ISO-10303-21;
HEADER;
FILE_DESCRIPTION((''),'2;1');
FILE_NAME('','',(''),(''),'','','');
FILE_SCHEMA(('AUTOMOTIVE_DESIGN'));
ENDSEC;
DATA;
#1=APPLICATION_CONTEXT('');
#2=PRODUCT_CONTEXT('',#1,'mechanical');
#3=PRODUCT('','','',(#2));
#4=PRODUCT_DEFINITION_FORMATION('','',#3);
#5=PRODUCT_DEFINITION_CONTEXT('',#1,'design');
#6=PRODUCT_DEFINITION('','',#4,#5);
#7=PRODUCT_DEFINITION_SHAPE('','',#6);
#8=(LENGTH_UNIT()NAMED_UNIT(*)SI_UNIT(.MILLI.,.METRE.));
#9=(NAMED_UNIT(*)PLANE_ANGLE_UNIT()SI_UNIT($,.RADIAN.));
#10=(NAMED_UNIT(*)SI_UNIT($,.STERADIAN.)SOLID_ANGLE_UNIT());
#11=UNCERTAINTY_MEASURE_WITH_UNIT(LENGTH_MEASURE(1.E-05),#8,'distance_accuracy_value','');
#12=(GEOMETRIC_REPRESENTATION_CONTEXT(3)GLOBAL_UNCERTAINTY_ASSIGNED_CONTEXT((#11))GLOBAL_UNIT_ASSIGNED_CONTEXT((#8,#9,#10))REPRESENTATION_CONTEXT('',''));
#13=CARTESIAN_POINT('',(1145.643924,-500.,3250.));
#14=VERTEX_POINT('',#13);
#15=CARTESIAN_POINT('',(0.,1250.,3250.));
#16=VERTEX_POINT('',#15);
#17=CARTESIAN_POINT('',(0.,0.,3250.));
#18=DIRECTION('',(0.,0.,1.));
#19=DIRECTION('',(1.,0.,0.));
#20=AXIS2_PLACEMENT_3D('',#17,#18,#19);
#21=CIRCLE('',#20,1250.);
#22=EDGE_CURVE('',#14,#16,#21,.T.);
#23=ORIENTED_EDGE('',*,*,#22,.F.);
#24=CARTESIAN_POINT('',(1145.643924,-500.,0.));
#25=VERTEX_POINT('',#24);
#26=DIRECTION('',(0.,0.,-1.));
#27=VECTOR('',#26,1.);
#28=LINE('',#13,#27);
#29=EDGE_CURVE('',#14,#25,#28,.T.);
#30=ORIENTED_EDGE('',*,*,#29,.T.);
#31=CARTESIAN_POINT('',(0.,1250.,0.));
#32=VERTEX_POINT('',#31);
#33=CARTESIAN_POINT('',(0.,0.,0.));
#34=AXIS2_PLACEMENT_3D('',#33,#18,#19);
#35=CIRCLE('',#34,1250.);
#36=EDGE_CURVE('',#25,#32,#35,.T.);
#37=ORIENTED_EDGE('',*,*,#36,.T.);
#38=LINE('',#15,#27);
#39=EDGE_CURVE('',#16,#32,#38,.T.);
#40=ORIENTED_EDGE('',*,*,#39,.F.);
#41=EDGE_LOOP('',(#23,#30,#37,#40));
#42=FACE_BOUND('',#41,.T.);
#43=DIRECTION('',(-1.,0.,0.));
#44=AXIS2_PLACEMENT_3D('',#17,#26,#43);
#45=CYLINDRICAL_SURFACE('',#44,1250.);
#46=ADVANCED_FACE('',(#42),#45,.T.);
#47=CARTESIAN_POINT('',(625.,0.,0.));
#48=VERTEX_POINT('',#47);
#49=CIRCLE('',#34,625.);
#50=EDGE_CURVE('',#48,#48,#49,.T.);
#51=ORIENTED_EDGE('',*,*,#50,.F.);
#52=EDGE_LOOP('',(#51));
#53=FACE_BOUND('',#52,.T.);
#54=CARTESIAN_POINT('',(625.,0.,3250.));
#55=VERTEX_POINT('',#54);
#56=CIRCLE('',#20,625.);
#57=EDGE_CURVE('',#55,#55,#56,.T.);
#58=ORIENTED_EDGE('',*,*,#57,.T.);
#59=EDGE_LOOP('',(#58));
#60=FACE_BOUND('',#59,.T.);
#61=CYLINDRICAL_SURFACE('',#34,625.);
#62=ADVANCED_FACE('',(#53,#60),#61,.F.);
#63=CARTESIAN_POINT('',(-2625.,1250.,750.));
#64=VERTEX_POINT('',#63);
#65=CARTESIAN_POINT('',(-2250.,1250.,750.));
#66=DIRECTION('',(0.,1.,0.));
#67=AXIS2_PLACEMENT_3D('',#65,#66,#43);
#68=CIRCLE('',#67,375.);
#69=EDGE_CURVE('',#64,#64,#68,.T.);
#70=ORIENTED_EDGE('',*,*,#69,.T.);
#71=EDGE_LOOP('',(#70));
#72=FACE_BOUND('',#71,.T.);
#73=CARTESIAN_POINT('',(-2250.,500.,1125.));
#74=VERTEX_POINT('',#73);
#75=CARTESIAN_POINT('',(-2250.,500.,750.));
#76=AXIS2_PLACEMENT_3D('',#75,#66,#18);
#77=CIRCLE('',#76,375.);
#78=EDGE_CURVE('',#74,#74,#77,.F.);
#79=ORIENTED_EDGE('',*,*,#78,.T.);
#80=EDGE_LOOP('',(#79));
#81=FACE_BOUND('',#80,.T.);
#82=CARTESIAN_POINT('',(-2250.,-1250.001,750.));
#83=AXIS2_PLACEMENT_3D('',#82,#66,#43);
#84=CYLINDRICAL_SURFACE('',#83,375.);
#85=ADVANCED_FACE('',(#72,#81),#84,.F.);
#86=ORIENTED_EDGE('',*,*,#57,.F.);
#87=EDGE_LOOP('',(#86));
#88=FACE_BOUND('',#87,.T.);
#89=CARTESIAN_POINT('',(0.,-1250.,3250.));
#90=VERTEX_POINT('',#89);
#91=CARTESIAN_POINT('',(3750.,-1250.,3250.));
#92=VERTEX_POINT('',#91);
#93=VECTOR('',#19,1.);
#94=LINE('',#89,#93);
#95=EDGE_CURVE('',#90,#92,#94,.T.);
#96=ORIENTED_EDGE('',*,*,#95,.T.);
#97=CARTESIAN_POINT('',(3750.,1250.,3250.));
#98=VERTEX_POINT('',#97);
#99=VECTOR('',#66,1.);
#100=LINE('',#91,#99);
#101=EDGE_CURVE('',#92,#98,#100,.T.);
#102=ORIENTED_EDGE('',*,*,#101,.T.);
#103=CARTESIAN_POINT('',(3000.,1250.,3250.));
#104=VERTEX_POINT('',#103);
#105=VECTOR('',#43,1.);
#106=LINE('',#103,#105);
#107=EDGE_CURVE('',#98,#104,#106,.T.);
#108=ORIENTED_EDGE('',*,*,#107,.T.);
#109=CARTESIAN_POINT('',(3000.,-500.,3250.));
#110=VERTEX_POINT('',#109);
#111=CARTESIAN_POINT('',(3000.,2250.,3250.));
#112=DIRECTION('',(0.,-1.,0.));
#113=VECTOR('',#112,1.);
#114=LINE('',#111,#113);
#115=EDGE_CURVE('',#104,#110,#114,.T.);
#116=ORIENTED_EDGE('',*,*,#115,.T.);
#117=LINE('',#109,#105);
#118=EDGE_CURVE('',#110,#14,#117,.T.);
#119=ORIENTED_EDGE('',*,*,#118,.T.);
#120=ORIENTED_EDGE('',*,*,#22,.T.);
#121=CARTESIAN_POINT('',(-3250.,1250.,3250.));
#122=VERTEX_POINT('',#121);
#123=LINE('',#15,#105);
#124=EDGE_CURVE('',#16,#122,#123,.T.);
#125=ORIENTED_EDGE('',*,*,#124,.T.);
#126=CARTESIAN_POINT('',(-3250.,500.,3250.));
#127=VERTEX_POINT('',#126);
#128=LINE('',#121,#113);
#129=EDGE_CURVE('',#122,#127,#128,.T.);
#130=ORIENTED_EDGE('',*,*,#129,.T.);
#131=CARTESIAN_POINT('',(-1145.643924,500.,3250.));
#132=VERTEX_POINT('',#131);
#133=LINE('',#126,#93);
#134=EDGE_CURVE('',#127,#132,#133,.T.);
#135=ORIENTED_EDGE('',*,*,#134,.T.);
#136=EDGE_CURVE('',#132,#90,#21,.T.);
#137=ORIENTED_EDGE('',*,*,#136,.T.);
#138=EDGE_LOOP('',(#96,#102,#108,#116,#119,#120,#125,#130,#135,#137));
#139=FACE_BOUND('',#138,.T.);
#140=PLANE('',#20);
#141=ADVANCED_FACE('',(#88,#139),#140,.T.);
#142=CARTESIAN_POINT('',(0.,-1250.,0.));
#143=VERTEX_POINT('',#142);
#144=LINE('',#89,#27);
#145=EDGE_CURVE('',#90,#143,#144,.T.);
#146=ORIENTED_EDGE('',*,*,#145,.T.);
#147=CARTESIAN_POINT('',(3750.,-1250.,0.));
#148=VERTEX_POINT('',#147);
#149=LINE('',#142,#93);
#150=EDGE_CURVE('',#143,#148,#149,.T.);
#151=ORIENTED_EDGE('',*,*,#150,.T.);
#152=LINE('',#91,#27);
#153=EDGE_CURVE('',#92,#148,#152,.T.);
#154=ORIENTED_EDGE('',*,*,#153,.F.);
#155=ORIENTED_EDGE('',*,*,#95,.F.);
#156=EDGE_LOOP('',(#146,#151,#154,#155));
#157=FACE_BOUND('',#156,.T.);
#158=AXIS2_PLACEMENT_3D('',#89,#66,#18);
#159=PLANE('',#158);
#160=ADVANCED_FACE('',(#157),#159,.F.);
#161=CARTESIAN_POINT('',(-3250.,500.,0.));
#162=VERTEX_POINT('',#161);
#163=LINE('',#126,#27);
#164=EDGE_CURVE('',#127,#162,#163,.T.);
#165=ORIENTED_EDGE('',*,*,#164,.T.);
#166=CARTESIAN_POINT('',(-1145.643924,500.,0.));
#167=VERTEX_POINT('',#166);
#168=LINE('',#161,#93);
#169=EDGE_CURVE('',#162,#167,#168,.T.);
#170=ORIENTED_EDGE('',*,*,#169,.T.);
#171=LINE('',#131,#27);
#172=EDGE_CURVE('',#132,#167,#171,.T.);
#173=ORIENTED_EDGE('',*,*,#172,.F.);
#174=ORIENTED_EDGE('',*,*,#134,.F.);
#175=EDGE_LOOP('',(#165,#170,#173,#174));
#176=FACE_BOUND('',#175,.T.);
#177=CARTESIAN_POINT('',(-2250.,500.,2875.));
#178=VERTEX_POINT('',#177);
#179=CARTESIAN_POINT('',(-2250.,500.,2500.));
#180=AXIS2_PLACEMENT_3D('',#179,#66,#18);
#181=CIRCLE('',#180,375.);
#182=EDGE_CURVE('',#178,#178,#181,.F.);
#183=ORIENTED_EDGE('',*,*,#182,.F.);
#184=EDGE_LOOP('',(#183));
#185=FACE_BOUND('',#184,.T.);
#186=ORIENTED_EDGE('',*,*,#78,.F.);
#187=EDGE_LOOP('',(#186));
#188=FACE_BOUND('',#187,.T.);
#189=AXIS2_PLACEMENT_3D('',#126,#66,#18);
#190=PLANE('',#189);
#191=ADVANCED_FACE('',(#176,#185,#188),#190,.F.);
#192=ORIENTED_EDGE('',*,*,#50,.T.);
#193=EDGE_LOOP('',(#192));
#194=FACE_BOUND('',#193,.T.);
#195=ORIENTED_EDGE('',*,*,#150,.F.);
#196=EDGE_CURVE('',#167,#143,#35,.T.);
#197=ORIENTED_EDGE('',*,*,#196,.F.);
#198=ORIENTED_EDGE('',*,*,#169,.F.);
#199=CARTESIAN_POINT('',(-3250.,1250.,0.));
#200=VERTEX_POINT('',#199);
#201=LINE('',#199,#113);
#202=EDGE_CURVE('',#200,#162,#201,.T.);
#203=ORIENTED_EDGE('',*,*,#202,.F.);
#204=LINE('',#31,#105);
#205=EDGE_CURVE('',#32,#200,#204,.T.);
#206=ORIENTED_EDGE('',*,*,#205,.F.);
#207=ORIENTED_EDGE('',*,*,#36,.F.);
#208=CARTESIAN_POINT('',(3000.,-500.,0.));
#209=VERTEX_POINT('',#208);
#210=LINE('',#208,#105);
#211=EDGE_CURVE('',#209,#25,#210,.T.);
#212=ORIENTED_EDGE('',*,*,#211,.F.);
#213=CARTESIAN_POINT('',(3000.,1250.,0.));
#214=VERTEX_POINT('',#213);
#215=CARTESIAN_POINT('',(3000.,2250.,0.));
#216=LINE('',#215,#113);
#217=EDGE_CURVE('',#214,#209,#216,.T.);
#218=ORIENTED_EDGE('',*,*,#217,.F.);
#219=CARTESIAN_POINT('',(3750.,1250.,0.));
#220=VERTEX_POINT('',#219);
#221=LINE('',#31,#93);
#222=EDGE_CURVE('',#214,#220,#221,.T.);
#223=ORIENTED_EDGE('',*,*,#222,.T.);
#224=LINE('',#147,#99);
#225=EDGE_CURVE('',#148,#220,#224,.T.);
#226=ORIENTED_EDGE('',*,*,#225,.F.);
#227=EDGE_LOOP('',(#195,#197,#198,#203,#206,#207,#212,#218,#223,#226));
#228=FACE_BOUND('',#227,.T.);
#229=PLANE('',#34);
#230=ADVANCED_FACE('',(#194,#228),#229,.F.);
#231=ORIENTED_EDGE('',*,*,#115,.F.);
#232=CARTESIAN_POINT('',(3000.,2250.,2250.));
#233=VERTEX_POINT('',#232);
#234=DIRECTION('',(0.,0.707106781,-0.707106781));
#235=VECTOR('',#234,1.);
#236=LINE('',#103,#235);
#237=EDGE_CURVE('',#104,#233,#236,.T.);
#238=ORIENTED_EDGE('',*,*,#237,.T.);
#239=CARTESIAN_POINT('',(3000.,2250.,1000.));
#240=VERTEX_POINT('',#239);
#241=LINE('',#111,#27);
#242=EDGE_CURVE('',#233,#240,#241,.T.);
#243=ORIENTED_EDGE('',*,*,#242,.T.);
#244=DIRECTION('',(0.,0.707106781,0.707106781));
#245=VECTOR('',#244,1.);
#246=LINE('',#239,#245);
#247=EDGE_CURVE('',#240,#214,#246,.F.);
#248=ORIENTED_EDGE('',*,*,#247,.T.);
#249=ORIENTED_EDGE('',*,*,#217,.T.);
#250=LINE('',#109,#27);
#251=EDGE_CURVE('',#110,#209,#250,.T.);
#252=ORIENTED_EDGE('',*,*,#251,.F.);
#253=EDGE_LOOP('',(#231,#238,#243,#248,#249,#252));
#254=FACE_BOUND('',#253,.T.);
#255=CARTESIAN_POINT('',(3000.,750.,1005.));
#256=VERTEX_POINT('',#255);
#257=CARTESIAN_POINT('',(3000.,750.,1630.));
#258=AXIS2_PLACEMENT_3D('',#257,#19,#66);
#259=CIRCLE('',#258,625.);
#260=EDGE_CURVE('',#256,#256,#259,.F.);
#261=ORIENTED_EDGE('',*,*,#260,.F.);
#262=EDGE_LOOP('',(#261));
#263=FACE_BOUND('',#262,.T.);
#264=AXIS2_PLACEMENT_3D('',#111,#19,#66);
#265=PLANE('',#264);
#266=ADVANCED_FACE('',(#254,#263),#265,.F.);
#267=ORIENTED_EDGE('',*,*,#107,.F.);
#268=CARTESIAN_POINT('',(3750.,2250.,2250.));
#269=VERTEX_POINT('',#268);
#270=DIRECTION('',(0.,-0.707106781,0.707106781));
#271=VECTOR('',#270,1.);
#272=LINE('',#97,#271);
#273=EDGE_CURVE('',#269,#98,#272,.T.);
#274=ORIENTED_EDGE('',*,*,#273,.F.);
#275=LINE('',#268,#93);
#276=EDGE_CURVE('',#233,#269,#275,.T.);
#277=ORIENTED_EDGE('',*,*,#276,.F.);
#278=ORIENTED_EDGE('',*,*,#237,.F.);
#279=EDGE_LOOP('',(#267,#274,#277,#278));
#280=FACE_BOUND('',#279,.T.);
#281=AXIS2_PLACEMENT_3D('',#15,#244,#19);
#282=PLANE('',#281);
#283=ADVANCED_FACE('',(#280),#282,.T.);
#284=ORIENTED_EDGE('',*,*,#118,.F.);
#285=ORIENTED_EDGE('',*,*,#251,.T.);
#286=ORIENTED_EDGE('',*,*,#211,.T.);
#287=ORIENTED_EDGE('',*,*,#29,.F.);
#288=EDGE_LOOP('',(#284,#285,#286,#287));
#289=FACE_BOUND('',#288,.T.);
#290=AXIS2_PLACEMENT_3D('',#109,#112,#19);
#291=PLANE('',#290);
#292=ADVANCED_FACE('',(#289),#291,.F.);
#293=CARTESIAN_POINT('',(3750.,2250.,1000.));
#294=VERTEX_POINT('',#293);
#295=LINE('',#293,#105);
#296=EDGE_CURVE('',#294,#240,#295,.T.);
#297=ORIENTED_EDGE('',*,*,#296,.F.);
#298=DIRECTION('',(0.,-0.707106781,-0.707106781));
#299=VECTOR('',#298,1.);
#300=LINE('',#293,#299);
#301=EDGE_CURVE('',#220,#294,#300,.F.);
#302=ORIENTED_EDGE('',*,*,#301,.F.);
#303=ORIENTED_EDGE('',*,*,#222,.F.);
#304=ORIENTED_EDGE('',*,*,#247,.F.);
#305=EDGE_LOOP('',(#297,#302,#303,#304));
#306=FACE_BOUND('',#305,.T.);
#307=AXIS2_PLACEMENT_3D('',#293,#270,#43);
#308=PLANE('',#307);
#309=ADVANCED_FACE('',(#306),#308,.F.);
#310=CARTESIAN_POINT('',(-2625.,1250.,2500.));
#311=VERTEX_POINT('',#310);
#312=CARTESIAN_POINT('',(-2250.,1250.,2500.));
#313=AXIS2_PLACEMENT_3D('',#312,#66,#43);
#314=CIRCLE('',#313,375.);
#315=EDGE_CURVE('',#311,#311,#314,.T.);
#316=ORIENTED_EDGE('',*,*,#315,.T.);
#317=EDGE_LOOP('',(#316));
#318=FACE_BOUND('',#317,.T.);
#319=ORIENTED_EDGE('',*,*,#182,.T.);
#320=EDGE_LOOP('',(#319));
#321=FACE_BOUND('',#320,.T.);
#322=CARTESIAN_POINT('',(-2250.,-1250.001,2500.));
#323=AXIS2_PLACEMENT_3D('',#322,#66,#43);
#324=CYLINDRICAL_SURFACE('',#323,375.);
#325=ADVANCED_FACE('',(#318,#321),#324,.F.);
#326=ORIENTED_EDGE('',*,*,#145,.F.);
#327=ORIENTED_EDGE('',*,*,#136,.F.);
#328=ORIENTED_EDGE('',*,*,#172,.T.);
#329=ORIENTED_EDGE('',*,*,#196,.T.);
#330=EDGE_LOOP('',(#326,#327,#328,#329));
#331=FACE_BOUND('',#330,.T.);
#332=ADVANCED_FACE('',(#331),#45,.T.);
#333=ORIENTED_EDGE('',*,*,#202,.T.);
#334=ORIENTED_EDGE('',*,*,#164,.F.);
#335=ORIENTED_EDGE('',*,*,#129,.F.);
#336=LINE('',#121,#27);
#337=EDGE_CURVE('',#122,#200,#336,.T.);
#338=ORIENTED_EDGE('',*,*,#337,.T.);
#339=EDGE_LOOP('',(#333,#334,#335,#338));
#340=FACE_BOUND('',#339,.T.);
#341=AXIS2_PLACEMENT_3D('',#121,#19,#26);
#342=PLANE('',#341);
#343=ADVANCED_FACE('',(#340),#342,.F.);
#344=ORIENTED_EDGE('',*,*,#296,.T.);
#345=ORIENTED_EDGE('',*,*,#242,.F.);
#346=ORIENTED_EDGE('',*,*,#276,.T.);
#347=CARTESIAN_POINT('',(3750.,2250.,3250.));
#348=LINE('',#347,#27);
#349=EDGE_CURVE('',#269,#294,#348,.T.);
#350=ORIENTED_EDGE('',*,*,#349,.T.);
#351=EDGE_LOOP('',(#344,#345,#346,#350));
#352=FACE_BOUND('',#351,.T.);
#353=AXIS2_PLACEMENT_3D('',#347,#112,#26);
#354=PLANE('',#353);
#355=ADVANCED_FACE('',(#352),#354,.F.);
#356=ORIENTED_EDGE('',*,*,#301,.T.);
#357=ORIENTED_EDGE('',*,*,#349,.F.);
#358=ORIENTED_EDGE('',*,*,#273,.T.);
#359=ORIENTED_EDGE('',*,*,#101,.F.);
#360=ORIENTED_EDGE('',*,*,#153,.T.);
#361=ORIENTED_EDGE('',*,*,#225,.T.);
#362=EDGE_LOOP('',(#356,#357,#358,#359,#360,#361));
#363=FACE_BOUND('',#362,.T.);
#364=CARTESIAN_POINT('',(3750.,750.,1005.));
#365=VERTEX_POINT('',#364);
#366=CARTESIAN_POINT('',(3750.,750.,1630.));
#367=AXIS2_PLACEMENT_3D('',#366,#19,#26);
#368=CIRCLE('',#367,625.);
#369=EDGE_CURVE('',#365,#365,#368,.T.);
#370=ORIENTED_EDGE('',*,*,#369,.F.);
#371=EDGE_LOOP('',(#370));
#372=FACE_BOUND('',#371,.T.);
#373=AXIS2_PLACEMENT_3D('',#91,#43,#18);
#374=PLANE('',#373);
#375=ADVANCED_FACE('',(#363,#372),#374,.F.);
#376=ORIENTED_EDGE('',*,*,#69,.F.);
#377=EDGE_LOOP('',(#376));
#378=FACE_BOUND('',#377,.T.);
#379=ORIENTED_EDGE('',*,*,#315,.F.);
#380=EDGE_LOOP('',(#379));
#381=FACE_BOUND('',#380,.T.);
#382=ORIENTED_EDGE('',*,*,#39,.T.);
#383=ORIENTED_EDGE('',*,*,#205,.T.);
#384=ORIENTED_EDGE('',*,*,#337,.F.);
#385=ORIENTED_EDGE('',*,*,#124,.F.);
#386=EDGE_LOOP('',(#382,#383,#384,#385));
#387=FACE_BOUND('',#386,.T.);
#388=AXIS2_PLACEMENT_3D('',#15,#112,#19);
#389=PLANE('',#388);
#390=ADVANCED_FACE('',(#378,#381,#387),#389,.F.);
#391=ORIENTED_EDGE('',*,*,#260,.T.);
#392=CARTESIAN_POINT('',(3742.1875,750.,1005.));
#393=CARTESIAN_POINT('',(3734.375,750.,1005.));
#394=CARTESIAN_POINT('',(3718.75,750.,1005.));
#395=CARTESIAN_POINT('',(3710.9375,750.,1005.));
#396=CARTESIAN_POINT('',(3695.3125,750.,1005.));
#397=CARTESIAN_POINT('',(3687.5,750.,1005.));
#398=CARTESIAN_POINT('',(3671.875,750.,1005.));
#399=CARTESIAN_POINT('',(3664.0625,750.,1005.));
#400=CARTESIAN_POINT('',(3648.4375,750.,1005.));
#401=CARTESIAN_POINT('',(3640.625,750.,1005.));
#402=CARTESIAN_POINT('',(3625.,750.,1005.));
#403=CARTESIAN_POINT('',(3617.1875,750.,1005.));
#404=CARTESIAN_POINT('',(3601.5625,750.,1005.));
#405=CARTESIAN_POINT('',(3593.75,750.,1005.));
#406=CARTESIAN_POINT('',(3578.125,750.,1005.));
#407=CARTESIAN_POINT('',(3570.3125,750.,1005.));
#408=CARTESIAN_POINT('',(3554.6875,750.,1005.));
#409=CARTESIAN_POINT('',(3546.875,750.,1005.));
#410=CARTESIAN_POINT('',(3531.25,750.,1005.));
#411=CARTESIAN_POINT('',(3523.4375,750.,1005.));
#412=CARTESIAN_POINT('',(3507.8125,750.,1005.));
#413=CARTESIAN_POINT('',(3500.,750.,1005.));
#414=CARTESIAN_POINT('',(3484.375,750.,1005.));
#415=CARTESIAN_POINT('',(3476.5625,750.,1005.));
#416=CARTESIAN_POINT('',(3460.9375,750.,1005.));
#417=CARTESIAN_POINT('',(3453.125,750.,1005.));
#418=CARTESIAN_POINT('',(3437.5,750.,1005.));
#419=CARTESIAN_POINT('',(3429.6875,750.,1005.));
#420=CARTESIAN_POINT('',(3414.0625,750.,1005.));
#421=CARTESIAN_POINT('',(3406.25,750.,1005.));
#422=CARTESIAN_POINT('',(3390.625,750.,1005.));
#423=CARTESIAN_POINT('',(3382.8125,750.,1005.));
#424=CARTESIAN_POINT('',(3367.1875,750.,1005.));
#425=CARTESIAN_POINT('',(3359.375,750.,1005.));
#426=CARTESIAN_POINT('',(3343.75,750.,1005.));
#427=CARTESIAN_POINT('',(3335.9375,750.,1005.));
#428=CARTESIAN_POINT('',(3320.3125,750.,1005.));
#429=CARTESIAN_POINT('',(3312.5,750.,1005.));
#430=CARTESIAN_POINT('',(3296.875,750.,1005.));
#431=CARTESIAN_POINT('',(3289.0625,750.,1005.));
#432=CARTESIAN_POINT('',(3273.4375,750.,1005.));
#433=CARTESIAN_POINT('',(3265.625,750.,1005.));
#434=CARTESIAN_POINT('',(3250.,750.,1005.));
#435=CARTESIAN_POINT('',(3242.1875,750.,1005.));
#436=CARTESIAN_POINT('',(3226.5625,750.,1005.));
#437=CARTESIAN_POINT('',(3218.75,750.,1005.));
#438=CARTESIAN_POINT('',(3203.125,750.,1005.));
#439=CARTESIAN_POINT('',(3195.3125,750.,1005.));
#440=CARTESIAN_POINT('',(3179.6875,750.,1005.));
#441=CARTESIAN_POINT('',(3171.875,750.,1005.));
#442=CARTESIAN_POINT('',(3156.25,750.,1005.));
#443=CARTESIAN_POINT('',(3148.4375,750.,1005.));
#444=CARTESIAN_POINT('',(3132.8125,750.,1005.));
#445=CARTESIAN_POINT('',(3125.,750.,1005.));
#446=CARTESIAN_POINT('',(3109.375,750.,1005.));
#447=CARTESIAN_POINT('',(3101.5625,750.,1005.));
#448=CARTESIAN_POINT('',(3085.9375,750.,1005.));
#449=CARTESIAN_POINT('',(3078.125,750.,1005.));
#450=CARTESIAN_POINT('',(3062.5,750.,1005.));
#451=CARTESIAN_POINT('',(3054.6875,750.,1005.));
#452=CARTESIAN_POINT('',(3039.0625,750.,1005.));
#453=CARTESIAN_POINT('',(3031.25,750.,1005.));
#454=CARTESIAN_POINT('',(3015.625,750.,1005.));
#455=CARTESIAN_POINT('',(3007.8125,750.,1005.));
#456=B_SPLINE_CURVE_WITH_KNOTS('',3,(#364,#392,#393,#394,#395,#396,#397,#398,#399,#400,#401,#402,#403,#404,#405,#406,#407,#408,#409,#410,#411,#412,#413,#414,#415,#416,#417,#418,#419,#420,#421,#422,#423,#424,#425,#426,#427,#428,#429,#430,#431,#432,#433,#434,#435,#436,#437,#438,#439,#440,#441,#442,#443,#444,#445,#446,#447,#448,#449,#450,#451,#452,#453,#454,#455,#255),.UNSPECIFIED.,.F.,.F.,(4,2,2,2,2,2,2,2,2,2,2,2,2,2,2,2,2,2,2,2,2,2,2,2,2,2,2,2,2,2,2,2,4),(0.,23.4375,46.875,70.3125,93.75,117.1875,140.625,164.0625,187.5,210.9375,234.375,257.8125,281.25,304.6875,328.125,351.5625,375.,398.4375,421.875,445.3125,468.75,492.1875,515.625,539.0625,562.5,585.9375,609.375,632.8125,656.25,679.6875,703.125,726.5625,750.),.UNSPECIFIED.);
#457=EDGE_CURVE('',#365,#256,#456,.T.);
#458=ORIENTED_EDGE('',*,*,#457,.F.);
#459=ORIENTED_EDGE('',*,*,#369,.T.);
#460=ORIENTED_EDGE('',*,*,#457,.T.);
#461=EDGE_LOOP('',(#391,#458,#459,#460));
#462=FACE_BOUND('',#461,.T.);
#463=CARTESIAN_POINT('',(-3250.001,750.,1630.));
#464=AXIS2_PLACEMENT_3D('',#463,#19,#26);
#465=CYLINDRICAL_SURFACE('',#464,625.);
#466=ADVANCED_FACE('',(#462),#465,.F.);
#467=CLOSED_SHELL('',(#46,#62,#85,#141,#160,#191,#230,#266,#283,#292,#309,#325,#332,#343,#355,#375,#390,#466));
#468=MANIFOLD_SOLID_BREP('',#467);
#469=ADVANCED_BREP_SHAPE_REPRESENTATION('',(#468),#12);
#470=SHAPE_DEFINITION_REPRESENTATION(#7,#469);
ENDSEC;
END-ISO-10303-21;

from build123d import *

# Parameters (mm, degrees)
BOSS_EXTRUDE1_DEPTH = 3250
SKETCH2_R           = 625
CUT_EXTRUDE1_DEPTH  = 5449.623679426
CUT_EXTRUDE2_REACH  = 5558.528
SKETCH3_R           = 375
CUT_EXTRUDE3_REACH  = 8040.968
SKETCH4_R           = 625
CHAMFER1_SIZE       = 1000


with BuildPart() as part:
    # Sketch1 → Boss-Extrude1 (new body)
    with BuildSketch(Plane.XY):
        with BuildLine():
            Line((0, 1250), (-3250, 1250))
            Line((-3250, 1250), (-3250, 500))
            Line((-3250, 500), (-1145.643923739, 500))
            ThreePointArc((-1145.643923739, 500), (-1045.825033168, -684.653196881), (0, -1250))
            Line((0, -1250), (3750, -1250))
            Line((3750, -1250), (3750, 2250))
            Line((3750, 2250), (3000, 2250))
            Line((3000, 2250), (3000, -500))
            Line((3000, -500), (1145.643923739, -500))
            ThreePointArc((1145.643923739, -500), (1045.825033168, 684.653196881), (0, 1250))
        make_face()
    extrude(amount=BOSS_EXTRUDE1_DEPTH)

    # Sketch2 → Cut-Extrude1 (cut, through all)
    with BuildSketch(Plane.XY.offset(3250)):
        Circle(SKETCH2_R)
    extrude(amount=-CUT_EXTRUDE1_DEPTH, mode=Mode.SUBTRACT)

    # Sketch3 → Cut-Extrude2 (cut, up to next)
    with BuildSketch(Plane(origin=(0, 1250, 0), x_dir=(1, 0, 0), z_dir=(0, 1, 0)), mode=Mode.PRIVATE) as cut_extrude2_sk1:
        with Locations(Location((-2250, -2500, 0), (0, 0, 180))):
            Circle(SKETCH3_R)
    cut_extrude2_tool1 = extrude(cut_extrude2_sk1.sketch, amount=-CUT_EXTRUDE2_REACH, mode=Mode.PRIVATE) & part.part
    # Sketch3 → Cut-Extrude2 (cut, up to next)
    with BuildSketch(Plane(origin=(0, 1250, 0), x_dir=(1, 0, 0), z_dir=(0, 1, 0)), mode=Mode.PRIVATE) as cut_extrude2_sk2:
        with Locations(Location((-2250, -750, 0), (0, 0, 180))):
            Circle(SKETCH3_R)
    cut_extrude2_tool2 = extrude(cut_extrude2_sk2.sketch, amount=-CUT_EXTRUDE2_REACH, mode=Mode.PRIVATE) & part.part
    add(cut_extrude2_tool1.solids().sort_by_distance((-2250, 1250, 2500))[0], mode=Mode.SUBTRACT)
    add(cut_extrude2_tool2.solids().sort_by_distance((-2250, 1250, 750))[0], mode=Mode.SUBTRACT)

    # Sketch4 → Cut-Extrude3 (cut, up to next)
    with BuildSketch(Plane(origin=(3750, 0, 0), x_dir=(0, 0, -1), z_dir=(1, 0, 0)), mode=Mode.PRIVATE) as cut_extrude3_sk1:
        with Locations((-1630, 750)):
            Circle(SKETCH4_R)
    cut_extrude3_tool1 = extrude(cut_extrude3_sk1.sketch, amount=-CUT_EXTRUDE3_REACH, mode=Mode.PRIVATE) & part.part
    add(cut_extrude3_tool1.solids().sort_by_distance((3750, 750, 1630))[0], mode=Mode.SUBTRACT)

    # Chamfer1
    chamfer1_edges = [part.edges().sort_by_distance(p)[0] for p in [
        (3375, 2250, 0),
        (3375, 2250, 3250),
    ]]
    chamfer(chamfer1_edges, length=CHAMFER1_SIZE)


solid = part.part
